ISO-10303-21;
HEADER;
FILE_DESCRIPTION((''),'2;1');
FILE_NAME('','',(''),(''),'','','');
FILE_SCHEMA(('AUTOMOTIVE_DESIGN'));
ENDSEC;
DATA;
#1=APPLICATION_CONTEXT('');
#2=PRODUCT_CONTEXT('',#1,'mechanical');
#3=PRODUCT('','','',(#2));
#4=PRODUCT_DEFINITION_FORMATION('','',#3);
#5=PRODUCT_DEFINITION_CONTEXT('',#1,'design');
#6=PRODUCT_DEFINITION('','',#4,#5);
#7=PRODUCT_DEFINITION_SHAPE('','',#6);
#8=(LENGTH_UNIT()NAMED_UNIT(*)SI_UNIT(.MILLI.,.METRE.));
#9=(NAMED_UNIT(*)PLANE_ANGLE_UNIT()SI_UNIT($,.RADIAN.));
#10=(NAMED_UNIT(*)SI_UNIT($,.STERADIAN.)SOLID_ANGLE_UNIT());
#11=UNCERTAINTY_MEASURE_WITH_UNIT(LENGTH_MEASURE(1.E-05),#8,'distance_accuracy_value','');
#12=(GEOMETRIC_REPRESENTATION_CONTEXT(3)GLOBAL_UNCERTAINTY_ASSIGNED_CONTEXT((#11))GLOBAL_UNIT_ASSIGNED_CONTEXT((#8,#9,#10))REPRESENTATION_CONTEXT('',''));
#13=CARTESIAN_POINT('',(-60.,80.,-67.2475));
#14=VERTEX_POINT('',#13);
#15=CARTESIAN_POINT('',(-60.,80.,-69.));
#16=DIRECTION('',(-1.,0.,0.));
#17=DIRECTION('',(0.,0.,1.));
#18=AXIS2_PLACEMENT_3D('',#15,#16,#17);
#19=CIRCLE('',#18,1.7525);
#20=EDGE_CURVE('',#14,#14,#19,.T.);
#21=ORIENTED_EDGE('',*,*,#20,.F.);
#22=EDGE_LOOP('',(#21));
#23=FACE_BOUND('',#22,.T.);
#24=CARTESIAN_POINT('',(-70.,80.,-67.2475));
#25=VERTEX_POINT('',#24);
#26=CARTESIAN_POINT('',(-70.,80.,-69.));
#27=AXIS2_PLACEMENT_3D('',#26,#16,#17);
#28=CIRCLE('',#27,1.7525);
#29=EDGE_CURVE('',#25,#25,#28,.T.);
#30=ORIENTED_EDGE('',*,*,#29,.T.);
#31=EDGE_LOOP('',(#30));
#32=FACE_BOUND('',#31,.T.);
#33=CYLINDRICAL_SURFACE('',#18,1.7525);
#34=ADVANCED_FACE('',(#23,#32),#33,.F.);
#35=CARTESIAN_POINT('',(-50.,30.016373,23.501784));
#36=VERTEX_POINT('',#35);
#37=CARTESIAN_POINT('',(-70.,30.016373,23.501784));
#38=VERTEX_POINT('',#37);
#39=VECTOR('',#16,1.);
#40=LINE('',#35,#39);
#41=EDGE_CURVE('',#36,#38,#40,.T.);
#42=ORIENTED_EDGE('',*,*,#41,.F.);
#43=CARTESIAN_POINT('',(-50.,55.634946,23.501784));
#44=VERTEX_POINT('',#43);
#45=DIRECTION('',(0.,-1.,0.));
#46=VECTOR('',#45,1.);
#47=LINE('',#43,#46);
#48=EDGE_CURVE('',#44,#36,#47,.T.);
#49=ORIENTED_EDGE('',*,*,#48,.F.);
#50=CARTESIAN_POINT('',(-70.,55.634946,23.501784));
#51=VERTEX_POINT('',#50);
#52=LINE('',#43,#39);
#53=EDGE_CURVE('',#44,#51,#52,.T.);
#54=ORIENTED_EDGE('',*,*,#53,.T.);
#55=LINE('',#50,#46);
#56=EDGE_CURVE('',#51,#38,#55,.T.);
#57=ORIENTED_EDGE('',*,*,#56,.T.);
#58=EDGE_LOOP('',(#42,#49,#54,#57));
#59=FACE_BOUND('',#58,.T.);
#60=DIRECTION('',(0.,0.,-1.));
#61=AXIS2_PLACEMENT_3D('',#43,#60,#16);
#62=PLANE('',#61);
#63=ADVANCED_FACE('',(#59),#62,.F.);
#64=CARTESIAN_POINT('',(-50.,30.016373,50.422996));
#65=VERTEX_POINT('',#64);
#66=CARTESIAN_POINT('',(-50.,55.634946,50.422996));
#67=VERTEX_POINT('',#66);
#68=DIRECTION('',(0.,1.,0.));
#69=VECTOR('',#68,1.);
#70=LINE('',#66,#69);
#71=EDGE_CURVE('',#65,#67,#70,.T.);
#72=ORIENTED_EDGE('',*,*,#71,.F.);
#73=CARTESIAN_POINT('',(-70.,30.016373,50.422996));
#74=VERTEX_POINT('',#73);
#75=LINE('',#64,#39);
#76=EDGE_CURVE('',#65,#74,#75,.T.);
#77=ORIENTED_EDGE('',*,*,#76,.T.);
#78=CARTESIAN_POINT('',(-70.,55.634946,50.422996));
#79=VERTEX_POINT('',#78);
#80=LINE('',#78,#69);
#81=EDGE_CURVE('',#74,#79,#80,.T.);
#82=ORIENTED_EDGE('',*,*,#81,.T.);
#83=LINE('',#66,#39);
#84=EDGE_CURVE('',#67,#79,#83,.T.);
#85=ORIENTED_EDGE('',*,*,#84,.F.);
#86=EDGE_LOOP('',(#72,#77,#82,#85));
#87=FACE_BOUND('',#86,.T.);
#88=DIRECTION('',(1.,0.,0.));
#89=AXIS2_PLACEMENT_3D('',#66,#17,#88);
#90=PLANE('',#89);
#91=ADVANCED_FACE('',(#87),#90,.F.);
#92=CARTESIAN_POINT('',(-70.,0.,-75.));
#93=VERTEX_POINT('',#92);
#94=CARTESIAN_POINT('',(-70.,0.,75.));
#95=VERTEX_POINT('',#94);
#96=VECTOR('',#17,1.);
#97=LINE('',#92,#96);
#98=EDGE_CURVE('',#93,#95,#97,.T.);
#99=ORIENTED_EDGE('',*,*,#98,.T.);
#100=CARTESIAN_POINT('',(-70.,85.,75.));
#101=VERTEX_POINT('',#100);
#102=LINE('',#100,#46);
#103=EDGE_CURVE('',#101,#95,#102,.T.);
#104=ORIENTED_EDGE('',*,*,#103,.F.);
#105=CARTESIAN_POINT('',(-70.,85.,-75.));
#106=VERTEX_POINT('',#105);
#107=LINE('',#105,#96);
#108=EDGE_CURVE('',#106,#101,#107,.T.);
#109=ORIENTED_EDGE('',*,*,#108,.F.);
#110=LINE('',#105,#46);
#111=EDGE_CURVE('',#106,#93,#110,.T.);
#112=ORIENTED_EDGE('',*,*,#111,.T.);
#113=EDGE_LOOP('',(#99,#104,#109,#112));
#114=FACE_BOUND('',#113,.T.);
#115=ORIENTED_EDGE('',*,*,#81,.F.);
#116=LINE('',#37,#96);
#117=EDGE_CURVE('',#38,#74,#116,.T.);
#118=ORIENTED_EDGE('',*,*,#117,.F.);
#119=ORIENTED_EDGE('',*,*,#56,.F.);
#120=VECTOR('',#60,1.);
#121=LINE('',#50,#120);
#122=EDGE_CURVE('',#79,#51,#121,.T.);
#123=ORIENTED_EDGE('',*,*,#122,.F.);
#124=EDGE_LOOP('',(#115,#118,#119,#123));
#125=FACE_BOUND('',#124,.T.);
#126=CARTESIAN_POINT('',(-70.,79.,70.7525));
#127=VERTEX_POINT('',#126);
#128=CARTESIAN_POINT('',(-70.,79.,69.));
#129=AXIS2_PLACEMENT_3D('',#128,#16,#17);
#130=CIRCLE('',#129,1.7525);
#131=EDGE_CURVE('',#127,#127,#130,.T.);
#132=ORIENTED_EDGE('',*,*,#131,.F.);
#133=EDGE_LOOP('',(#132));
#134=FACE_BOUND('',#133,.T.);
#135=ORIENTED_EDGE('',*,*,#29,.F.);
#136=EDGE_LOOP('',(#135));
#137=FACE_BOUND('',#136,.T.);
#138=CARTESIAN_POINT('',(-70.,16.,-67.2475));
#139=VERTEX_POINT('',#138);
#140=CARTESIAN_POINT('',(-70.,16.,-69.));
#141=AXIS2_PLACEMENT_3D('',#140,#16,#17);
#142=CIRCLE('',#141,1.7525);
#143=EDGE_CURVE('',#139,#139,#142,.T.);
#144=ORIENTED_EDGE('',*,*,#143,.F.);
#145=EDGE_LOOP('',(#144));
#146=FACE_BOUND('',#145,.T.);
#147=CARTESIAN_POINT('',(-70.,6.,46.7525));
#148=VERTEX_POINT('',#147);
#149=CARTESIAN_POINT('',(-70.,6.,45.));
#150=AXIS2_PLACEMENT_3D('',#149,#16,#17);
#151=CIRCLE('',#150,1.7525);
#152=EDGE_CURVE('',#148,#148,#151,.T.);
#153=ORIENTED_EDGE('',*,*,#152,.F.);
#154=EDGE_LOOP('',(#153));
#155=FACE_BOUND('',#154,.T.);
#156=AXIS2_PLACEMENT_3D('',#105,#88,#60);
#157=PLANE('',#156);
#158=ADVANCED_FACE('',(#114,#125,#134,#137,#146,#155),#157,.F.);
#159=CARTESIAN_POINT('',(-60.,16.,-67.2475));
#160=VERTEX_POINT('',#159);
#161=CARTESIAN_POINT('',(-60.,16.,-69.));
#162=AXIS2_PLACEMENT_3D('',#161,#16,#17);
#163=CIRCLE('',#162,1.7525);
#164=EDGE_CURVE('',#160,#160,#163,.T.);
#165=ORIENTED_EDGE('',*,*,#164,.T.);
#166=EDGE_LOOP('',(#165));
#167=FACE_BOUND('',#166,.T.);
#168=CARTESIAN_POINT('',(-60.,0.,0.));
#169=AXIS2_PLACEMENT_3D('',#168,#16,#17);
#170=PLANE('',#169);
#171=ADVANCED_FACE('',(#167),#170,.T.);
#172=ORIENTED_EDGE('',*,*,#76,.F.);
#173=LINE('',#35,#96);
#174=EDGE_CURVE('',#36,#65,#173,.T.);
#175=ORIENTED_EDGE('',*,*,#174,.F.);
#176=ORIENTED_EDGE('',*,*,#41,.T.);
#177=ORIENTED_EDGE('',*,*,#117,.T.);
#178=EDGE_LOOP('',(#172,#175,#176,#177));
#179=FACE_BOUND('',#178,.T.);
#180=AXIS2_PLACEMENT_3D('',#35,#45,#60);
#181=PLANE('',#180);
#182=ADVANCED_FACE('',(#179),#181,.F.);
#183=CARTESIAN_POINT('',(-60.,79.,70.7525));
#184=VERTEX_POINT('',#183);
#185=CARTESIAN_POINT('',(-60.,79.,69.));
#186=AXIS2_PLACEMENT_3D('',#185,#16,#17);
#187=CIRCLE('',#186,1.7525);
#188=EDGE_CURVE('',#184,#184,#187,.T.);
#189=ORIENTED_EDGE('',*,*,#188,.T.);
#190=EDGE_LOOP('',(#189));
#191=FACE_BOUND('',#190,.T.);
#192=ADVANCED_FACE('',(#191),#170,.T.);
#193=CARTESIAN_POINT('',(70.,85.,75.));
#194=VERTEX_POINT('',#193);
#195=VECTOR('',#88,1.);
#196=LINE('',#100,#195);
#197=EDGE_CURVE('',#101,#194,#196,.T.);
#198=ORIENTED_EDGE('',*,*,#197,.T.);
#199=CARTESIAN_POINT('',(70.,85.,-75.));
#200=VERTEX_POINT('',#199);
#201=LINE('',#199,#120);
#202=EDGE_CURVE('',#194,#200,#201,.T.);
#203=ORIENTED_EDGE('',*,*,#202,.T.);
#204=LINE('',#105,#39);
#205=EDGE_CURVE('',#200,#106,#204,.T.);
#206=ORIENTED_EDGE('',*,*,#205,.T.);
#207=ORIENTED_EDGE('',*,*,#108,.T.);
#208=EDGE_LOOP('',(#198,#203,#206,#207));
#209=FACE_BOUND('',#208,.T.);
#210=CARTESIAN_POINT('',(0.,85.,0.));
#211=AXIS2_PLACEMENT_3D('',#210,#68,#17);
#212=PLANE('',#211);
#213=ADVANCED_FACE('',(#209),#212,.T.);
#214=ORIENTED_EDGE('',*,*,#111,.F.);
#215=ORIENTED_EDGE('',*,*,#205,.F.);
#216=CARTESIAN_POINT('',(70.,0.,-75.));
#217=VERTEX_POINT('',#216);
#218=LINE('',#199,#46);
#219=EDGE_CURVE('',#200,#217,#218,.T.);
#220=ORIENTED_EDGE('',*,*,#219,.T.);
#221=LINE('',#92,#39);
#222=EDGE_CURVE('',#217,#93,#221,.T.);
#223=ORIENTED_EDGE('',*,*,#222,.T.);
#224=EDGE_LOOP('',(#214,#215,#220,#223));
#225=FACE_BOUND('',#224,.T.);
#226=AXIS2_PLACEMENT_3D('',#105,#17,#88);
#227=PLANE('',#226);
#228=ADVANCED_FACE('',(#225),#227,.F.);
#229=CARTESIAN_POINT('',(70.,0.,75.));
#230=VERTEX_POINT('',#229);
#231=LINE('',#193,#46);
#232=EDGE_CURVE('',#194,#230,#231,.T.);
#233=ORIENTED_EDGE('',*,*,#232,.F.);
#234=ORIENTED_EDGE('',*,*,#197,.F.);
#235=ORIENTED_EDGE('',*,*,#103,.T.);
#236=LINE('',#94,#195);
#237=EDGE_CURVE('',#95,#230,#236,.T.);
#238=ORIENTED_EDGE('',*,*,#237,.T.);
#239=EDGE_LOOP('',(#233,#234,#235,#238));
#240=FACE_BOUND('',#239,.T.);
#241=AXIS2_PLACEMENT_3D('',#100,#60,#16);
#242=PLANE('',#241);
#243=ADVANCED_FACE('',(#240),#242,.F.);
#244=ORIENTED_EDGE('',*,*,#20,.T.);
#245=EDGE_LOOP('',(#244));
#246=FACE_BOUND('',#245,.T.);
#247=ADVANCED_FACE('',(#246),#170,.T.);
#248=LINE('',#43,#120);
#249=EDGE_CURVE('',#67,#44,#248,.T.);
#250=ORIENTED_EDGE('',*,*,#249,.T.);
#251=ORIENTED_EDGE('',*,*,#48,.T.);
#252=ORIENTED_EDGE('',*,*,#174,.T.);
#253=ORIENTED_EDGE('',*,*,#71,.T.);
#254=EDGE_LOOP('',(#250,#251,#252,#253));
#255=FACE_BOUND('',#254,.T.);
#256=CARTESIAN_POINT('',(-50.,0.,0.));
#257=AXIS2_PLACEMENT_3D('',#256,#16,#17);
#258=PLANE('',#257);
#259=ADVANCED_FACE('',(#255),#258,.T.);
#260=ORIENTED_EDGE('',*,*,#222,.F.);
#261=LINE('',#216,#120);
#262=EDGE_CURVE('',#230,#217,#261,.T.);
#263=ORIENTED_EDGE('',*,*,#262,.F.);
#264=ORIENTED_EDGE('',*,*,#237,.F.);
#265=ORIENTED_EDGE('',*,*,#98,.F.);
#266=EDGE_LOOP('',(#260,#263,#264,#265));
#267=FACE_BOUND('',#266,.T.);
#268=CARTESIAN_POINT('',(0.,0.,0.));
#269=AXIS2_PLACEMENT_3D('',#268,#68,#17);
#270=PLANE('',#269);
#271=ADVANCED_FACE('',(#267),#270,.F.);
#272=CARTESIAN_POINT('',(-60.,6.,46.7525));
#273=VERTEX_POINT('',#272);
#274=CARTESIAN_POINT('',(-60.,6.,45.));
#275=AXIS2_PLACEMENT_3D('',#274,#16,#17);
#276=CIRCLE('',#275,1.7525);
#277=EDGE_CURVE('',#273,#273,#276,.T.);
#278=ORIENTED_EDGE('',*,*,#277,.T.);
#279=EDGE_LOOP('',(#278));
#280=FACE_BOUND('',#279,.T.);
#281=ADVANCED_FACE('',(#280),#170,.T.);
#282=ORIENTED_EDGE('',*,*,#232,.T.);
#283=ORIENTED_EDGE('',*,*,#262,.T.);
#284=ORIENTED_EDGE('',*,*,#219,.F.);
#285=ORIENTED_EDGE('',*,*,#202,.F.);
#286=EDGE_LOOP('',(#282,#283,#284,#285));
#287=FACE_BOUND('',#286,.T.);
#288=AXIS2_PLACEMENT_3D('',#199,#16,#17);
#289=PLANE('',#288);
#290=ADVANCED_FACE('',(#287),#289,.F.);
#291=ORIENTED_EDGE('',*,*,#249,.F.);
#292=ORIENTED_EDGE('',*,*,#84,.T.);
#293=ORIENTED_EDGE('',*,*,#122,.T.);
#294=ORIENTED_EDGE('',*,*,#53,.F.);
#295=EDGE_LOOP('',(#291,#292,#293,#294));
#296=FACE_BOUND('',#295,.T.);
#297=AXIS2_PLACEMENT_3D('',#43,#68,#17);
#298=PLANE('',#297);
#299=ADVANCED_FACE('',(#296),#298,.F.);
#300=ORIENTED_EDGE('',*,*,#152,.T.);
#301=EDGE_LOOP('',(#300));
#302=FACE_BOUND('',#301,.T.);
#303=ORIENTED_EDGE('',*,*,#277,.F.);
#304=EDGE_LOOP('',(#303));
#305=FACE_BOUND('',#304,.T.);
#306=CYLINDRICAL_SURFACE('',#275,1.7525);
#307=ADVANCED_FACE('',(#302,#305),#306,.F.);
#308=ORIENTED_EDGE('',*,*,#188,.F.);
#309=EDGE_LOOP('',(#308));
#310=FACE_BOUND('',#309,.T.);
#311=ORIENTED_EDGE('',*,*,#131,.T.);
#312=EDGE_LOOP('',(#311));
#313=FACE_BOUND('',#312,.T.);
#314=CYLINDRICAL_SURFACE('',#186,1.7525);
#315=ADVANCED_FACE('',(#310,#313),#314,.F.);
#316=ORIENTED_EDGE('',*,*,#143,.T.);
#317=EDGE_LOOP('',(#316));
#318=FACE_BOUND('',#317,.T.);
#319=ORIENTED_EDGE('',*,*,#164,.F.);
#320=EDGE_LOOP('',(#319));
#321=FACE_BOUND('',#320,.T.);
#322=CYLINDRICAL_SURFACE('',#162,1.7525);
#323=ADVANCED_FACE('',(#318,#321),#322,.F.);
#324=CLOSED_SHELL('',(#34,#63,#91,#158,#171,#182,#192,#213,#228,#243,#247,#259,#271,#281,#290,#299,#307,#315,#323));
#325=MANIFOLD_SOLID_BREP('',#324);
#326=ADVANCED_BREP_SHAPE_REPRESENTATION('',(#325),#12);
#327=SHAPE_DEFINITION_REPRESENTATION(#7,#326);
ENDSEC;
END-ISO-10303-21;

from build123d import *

# Parameters (mm, degrees)
SKETCH1_W           = 140
SKETCH1_H           = 150
BOSS_EXTRUDE1_DEPTH = 85
SKETCH2_W           = 26.921212121
SKETCH2_H           = 25.618572825
CUT_EXTRUDE1_DEPTH  = 20
SKETCH3_R           = 1.7525
CUT_EXTRUDE2_DEPTH  = 10


with BuildPart() as part:
    # Sketch1 → Boss-Extrude1 (new body)
    with BuildSketch(Plane(origin=(0, 0, 0), x_dir=(1, 0, 0), z_dir=(0, 1, 0))):
        Rectangle(SKETCH1_W, SKETCH1_H)
    extrude(amount=BOSS_EXTRUDE1_DEPTH)

    # Sketch2 → Cut-Extrude1 (cut)
    with BuildSketch(Plane.ZY.offset(70)):
        with Locations((36.962390029, 42.825659825)):
            Rectangle(SKETCH2_W, SKETCH2_H)
    extrude(amount=-CUT_EXTRUDE1_DEPTH, mode=Mode.SUBTRACT)

    # Sketch3 → Cut-Extrude2 (cut)
    with BuildSketch(Plane.ZY.offset(70)):
        with Locations((45, 6)):
            Circle(SKETCH3_R)
        with Locations((69, 79)):
            Circle(SKETCH3_R)
        with Locations((-69, 80)):
            Circle(SKETCH3_R)
        with Locations((-69, 16)):
            Circle(SKETCH3_R)
    extrude(amount=-CUT_EXTRUDE2_DEPTH, mode=Mode.SUBTRACT)


solid = part.part
